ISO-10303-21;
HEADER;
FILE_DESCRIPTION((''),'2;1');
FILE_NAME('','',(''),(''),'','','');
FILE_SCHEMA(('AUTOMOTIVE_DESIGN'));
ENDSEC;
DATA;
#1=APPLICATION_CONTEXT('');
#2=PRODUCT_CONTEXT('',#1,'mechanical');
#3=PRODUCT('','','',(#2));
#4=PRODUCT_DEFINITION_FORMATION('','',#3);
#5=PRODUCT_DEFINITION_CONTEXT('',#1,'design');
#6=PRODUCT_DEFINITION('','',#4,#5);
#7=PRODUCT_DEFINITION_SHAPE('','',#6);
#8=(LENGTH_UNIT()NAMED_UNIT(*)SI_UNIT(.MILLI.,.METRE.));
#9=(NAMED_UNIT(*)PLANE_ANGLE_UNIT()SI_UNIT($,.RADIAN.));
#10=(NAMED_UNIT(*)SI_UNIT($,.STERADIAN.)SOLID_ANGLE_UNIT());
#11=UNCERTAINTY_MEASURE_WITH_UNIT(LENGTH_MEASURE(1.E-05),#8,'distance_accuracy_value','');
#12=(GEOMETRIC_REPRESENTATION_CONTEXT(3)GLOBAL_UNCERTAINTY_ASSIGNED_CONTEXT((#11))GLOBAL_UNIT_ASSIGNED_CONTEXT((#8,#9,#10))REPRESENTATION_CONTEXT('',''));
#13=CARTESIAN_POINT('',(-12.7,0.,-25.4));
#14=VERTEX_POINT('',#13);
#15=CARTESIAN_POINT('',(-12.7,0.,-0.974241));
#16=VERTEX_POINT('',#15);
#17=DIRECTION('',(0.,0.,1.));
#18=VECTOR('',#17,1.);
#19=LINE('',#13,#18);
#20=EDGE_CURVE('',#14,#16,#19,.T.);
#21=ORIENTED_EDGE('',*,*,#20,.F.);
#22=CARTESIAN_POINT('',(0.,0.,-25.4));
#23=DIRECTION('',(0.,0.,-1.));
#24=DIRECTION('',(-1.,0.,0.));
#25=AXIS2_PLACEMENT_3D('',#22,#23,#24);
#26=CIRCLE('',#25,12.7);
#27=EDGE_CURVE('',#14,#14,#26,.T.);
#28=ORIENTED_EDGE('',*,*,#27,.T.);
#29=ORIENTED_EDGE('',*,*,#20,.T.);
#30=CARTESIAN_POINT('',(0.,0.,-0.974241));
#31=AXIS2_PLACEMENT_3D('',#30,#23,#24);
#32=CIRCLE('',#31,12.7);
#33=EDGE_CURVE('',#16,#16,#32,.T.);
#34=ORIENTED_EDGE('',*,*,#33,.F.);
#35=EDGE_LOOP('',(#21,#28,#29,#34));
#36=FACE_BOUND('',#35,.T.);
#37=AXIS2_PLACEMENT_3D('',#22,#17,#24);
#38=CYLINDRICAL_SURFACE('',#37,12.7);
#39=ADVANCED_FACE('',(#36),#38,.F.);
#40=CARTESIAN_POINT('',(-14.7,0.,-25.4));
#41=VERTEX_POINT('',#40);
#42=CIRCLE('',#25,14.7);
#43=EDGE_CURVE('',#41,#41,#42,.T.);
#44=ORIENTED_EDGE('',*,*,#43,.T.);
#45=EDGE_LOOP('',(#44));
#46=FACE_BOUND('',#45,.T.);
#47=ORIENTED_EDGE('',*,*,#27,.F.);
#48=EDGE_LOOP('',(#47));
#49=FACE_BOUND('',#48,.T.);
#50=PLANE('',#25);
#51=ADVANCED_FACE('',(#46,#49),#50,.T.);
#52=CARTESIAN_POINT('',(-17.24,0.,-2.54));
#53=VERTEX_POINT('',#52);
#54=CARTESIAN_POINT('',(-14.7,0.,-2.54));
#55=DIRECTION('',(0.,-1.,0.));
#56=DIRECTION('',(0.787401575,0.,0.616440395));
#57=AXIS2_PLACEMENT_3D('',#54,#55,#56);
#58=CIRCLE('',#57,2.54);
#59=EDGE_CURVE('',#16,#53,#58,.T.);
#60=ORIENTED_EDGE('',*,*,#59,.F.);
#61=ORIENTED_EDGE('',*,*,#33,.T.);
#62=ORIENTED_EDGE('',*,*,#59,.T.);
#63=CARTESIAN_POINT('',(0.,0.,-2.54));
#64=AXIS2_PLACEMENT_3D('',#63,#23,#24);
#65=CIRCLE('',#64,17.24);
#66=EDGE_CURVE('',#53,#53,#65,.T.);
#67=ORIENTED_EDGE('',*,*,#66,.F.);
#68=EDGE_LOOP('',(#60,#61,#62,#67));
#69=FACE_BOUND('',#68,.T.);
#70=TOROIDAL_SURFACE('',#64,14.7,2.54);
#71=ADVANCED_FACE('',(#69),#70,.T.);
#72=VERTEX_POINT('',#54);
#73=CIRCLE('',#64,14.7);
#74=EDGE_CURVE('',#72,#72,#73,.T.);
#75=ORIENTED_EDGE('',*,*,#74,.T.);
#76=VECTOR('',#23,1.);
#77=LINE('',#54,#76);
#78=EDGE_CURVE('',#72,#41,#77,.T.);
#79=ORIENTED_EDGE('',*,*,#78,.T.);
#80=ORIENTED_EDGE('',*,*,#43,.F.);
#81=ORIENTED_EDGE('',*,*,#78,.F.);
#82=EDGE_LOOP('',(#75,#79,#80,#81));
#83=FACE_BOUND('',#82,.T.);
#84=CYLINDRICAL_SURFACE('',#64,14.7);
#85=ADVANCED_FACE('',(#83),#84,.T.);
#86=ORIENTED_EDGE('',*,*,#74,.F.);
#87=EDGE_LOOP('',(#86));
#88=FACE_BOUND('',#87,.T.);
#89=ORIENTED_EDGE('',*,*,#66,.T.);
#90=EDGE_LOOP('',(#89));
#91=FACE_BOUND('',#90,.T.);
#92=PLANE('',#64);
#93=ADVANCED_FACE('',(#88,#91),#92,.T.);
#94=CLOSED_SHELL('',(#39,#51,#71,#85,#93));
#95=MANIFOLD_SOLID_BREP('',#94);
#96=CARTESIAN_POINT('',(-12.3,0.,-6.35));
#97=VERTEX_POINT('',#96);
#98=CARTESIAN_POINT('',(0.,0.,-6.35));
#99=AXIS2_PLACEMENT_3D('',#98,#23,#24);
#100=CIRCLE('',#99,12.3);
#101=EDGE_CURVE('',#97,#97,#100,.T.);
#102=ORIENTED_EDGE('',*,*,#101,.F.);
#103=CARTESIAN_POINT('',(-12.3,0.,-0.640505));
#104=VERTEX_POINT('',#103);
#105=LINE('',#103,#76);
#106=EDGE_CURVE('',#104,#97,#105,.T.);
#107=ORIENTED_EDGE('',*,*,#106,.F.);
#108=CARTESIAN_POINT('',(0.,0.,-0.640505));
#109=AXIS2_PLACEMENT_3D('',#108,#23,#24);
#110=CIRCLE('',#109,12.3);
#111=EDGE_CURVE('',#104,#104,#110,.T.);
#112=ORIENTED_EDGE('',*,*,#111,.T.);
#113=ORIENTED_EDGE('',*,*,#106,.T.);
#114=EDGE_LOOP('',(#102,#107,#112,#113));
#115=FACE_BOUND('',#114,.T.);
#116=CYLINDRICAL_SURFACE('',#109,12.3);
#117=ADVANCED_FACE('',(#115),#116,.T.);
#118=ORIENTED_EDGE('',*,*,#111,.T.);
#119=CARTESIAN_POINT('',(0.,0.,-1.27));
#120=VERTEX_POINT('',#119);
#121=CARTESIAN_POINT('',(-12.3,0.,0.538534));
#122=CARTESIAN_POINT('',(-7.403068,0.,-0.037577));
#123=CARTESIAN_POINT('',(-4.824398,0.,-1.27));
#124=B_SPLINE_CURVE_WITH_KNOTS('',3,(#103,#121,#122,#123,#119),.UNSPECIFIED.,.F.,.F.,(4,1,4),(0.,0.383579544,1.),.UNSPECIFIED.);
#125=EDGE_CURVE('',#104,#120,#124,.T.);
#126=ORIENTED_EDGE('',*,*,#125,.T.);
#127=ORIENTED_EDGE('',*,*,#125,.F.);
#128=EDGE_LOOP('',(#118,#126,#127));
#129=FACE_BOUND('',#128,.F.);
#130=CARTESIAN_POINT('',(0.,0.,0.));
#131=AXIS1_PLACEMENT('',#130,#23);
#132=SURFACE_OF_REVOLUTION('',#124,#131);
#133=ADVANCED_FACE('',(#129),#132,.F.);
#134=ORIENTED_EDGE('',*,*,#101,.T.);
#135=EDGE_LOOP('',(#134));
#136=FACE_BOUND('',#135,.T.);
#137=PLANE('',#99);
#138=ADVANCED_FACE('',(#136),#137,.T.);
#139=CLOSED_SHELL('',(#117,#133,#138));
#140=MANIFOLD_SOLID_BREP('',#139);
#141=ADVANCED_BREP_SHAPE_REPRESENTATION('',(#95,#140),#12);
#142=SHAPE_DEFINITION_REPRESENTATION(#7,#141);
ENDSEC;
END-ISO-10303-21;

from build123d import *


with BuildPart() as f1:
    # F0 (on Front) → F1 (revolve)
    with BuildSketch(Plane.XZ):
        with BuildLine():
            Line((-14.7, -2.54), (-14.7, -25.4))
            Line((-14.7, -25.4), (-12.7, -25.4))
            Line((-12.7, -25.4), (-12.7, -0.9742413979))
            ThreePointArc((-12.7, -0.9742413979), (-15.5281304245, -0.1387919707), (-17.24, -2.54))
            Line((-17.24, -2.54), (-14.7, -2.54))
        make_face()
    revolve(axis=Axis((0, 0, 0), (0, 0, -1)))


with BuildPart() as f2:
    # F0 (on Front) → F2 (revolve)
    with BuildSketch(Plane.XZ):
        with BuildLine():
            add(Edge.make_bspline(
                [(-12.3, -0.640504579), (-12.3, 0.5385344325), (-7.4030678148, -0.0375770975), (-4.8243983329, -1.27), (0, -1.27)],
                knots=[0, 0, 0, 0, 0.3835795443, 1, 1, 1, 1], degree=3))
            Line((-12.3, -0.640504579), (-12.3, -6.35))
            Line((-12.3, -6.35), (0, -6.35))
            Line((0, -6.35), (0, -1.27))
        make_face()
    revolve(axis=Axis((0, 0, 0), (0, 0, -1)))


solid = Compound([f1.part, f2.part])
